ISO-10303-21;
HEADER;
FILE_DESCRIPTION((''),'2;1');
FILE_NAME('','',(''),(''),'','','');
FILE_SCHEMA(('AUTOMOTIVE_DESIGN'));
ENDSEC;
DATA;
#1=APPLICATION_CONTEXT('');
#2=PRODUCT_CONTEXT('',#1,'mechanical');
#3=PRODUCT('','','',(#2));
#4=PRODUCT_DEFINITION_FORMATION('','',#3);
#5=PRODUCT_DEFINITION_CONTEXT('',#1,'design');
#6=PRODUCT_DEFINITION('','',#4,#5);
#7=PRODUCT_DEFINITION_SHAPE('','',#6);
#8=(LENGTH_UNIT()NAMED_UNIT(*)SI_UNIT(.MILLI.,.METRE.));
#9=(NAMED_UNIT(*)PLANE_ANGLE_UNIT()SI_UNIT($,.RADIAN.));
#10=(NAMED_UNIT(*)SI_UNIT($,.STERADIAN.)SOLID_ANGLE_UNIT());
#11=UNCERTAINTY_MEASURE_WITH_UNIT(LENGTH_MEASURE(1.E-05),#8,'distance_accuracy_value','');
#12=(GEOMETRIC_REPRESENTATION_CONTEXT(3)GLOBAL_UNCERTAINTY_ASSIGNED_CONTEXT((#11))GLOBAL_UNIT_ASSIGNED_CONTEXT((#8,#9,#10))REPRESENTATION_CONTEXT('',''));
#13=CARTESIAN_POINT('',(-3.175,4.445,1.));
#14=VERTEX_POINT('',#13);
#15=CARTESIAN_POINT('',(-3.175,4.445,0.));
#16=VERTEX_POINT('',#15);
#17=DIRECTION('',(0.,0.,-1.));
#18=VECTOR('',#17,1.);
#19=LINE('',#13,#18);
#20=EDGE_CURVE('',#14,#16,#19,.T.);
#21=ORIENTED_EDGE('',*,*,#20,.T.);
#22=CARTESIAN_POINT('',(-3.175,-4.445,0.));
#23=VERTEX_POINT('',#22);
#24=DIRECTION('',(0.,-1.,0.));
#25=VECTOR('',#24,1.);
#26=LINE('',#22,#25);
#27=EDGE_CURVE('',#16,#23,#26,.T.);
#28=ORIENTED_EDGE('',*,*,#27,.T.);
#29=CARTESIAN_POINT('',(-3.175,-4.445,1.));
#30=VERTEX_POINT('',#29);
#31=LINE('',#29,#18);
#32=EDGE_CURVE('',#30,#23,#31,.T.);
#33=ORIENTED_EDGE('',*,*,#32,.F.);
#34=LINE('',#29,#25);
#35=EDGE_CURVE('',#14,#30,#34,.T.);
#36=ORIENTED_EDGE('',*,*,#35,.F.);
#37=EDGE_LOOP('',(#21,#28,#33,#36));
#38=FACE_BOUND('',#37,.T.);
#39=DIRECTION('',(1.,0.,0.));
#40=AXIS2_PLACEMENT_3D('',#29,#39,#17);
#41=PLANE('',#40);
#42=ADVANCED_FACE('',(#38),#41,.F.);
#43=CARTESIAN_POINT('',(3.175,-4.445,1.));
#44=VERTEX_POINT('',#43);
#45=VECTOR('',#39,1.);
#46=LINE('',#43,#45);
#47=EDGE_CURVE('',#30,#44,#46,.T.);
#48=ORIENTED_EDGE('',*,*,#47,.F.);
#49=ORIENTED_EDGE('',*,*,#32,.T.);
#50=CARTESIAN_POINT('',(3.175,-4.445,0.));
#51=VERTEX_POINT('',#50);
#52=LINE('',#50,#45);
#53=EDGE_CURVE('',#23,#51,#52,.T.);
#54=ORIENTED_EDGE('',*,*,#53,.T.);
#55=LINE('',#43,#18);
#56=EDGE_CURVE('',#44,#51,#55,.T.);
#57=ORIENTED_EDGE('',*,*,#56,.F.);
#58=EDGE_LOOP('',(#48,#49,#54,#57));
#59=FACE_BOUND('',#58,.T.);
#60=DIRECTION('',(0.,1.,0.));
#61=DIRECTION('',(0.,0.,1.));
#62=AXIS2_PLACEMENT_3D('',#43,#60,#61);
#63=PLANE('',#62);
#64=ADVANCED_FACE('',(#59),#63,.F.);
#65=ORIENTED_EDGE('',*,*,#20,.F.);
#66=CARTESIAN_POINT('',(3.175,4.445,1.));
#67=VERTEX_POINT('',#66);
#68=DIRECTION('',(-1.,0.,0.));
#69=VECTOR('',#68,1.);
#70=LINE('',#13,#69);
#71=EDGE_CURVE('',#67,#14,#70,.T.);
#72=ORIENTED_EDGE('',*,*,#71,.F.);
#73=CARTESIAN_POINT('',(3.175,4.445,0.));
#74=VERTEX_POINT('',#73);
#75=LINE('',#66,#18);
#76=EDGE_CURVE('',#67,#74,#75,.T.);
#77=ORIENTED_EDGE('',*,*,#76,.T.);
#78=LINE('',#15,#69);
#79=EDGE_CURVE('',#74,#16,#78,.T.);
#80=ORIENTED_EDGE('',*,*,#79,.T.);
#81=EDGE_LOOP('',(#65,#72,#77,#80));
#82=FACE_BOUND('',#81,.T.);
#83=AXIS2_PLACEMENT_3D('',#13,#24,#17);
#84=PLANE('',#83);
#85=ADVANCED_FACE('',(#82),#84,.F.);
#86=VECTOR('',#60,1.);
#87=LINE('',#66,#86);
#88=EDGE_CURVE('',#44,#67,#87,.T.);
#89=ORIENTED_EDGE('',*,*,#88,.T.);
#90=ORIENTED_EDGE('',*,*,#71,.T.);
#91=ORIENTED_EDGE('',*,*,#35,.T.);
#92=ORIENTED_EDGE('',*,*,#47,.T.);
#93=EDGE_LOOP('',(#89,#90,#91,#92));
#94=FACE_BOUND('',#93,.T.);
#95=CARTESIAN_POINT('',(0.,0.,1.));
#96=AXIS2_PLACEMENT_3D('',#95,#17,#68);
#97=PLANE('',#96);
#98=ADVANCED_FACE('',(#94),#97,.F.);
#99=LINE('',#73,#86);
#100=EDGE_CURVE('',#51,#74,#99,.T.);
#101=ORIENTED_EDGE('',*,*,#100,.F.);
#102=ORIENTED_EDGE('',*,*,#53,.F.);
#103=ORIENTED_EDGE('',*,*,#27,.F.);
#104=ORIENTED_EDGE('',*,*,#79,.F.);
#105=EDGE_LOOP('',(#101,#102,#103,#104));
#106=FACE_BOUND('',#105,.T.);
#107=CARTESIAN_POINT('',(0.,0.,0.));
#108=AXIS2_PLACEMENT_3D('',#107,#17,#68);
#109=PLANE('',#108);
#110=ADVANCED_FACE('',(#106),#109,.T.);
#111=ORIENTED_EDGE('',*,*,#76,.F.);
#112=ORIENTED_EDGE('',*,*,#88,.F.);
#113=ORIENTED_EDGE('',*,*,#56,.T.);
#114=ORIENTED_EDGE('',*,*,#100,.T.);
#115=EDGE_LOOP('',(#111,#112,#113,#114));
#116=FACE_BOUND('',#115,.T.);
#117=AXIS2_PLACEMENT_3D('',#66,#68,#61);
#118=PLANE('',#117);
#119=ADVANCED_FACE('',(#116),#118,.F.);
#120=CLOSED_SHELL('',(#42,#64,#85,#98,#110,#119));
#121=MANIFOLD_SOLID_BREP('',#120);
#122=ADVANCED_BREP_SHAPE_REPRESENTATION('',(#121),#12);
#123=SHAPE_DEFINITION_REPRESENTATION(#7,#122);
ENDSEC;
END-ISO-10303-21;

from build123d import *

# Parameters (mm, degrees)
SKETCH1_W               = 6.35
SKETCH1_H               = 8.89
COMPONENT_OUTLINE_DEPTH = 1


with BuildPart() as part:
    # Sketch1 → Component_Outline (new body)
    with BuildSketch(Plane.XY):
        Rectangle(SKETCH1_W, SKETCH1_H)
    extrude(amount=COMPONENT_OUTLINE_DEPTH)


solid = part.part
